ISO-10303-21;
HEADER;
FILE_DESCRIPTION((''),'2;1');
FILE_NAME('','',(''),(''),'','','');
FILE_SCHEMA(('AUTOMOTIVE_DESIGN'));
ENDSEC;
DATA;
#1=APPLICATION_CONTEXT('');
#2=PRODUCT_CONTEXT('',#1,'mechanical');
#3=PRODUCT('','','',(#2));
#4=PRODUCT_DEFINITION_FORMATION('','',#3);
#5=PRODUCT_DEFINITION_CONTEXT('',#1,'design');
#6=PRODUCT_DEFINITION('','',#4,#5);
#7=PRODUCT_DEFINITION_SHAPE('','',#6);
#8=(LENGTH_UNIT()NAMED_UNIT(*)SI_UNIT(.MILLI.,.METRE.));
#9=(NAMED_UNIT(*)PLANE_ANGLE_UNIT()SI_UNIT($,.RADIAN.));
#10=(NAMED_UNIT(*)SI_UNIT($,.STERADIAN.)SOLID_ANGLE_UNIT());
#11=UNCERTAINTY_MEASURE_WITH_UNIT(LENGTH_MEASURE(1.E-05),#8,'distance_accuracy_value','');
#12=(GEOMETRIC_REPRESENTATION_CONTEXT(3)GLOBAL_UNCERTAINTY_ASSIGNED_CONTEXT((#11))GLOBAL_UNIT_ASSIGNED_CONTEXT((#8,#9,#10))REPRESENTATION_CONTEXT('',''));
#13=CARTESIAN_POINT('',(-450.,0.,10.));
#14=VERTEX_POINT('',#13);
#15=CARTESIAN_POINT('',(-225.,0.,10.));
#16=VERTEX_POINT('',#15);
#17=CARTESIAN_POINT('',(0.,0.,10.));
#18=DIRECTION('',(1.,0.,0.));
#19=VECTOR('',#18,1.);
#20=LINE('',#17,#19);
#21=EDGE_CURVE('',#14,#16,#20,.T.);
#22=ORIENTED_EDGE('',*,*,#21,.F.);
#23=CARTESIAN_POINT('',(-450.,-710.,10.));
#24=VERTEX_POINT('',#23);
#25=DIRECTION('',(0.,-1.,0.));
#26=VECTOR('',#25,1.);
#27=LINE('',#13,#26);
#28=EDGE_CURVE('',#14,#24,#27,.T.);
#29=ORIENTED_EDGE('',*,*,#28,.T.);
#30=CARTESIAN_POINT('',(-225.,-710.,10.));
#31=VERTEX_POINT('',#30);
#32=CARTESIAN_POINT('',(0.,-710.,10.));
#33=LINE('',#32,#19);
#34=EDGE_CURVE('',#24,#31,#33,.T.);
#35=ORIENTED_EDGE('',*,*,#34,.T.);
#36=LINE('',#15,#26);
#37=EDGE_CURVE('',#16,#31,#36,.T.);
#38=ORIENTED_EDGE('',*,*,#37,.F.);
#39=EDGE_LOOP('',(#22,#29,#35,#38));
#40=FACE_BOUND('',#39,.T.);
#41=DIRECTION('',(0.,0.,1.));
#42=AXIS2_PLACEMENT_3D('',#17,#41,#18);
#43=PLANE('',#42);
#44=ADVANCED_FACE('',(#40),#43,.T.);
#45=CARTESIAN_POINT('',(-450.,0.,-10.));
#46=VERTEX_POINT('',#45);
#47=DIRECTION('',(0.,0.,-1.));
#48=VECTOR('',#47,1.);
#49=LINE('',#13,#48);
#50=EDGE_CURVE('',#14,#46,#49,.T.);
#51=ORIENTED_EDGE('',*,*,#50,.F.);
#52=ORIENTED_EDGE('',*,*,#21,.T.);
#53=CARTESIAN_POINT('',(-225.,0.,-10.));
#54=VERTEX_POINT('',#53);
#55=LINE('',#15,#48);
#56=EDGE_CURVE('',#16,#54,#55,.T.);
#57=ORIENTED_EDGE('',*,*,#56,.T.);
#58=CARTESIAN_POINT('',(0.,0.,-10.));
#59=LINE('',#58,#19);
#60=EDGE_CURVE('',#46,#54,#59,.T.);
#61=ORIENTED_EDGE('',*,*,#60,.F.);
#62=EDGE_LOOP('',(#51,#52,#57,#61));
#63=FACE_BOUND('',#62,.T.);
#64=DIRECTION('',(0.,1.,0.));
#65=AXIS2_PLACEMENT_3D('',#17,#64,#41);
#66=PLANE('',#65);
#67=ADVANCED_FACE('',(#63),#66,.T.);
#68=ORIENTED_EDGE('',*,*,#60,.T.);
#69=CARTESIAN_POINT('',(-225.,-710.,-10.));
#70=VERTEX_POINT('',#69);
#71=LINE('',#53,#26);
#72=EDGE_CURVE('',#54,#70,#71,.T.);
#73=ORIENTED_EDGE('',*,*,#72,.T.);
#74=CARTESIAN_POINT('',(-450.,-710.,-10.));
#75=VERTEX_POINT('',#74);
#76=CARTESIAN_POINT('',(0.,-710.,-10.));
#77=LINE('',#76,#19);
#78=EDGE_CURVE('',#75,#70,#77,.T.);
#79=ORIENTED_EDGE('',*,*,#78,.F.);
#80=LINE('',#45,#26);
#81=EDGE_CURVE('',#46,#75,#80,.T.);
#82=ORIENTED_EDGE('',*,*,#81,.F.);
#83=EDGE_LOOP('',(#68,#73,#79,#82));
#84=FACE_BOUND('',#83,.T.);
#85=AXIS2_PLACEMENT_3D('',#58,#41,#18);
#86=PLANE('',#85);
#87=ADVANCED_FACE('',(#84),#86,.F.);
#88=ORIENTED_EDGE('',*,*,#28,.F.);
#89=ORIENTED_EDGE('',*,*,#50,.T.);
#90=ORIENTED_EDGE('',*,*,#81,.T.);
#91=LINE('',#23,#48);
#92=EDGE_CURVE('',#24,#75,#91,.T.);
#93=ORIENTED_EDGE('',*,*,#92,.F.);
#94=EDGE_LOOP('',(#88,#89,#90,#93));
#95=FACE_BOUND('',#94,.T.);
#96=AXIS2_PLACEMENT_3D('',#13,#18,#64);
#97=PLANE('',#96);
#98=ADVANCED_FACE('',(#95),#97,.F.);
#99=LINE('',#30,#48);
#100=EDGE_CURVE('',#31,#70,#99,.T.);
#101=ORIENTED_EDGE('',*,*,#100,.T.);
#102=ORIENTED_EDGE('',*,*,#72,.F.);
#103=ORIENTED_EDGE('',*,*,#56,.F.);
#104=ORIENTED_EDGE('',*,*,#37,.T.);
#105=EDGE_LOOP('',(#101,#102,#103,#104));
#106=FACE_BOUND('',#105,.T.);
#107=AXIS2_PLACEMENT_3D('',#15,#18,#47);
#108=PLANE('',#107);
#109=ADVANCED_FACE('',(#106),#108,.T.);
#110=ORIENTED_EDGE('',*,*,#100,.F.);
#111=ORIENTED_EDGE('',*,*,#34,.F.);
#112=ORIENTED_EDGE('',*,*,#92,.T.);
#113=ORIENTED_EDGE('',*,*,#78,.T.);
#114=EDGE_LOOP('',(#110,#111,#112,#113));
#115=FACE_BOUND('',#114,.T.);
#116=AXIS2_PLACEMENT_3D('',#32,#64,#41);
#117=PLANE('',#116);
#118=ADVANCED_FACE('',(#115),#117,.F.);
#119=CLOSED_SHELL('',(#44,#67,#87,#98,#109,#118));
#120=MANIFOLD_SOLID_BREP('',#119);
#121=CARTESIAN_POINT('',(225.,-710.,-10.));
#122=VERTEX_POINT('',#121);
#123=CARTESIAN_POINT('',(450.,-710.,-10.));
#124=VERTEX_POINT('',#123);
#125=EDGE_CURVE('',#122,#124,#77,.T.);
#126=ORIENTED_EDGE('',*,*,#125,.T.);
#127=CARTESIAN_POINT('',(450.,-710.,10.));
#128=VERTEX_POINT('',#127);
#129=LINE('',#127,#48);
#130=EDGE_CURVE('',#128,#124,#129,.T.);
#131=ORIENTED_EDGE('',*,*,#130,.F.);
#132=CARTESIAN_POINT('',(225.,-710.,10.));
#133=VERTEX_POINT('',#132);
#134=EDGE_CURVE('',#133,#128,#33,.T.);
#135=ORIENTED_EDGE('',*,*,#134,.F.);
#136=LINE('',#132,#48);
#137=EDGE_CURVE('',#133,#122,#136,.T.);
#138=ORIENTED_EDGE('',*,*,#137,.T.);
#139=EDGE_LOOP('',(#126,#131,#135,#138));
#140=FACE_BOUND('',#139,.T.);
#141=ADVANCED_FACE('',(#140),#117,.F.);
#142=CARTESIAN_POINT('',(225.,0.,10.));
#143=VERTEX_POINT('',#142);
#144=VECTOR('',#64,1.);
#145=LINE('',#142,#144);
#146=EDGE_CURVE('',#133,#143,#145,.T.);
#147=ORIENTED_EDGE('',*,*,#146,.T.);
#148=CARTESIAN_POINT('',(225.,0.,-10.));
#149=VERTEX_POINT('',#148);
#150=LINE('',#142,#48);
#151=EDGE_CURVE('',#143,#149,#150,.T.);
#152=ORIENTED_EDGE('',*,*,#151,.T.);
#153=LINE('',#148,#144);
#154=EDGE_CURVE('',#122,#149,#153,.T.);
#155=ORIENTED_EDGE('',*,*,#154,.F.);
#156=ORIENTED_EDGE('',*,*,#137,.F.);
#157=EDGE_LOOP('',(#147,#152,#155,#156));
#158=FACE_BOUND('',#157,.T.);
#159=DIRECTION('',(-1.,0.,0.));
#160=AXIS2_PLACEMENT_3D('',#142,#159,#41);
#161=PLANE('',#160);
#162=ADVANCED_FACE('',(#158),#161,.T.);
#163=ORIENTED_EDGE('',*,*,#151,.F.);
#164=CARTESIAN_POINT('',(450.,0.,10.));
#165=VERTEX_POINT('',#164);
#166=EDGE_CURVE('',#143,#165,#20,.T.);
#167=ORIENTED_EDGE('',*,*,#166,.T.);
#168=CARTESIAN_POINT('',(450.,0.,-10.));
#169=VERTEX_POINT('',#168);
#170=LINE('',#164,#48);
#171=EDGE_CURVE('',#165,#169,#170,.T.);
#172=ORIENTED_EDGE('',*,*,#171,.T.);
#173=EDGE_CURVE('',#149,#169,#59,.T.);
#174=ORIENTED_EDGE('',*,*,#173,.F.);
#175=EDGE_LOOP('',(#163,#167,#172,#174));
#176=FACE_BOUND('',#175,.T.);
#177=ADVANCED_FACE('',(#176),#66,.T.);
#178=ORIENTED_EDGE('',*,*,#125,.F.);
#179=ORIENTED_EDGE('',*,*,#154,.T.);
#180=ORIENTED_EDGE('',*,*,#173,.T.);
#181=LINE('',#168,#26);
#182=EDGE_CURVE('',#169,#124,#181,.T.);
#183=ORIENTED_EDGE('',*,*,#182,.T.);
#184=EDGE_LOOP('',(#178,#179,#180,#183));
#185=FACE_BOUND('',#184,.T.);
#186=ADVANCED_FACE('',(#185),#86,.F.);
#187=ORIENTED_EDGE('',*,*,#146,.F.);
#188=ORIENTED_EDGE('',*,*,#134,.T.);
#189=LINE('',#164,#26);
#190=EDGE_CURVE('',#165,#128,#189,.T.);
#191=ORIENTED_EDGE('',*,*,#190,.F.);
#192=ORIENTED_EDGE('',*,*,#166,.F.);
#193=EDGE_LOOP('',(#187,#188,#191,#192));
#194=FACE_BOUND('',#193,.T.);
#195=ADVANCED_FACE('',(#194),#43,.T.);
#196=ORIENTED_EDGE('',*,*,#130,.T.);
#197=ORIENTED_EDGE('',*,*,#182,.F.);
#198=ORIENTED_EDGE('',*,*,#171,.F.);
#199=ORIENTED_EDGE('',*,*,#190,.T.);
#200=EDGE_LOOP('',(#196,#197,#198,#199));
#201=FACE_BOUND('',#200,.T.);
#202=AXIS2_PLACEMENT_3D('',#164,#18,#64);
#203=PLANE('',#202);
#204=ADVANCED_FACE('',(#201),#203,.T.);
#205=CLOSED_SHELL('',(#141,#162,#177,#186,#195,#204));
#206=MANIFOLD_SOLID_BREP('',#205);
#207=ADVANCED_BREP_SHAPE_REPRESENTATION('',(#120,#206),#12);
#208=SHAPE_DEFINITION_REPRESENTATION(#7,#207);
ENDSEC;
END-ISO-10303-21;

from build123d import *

# Parameters (mm, degrees)
SKETCH2_W             = 225
SKETCH2_H             = 710
BOSS_EXTRUDE1_DEPTH   = 10
BOSS_EXTRUDE1_2_DEPTH = 10


with BuildPart() as part:
    # Sketch2 → Boss-Extrude1 (new, symmetric)
    with BuildSketch(Plane.XY):
        with Locations((-337.5, -355)):
            Rectangle(SKETCH2_W, SKETCH2_H)
    extrude(amount=BOSS_EXTRUDE1_DEPTH, both=True)


with BuildPart() as body_2:
    # Sketch2 → Boss-Extrude1 2 (new, symmetric)
    with BuildSketch(Plane.XY):
        with Locations((337.5, -355)):
            Rectangle(SKETCH2_W, SKETCH2_H)
    extrude(amount=BOSS_EXTRUDE1_2_DEPTH, both=True)


solid = Compound([part.part, body_2.part])
